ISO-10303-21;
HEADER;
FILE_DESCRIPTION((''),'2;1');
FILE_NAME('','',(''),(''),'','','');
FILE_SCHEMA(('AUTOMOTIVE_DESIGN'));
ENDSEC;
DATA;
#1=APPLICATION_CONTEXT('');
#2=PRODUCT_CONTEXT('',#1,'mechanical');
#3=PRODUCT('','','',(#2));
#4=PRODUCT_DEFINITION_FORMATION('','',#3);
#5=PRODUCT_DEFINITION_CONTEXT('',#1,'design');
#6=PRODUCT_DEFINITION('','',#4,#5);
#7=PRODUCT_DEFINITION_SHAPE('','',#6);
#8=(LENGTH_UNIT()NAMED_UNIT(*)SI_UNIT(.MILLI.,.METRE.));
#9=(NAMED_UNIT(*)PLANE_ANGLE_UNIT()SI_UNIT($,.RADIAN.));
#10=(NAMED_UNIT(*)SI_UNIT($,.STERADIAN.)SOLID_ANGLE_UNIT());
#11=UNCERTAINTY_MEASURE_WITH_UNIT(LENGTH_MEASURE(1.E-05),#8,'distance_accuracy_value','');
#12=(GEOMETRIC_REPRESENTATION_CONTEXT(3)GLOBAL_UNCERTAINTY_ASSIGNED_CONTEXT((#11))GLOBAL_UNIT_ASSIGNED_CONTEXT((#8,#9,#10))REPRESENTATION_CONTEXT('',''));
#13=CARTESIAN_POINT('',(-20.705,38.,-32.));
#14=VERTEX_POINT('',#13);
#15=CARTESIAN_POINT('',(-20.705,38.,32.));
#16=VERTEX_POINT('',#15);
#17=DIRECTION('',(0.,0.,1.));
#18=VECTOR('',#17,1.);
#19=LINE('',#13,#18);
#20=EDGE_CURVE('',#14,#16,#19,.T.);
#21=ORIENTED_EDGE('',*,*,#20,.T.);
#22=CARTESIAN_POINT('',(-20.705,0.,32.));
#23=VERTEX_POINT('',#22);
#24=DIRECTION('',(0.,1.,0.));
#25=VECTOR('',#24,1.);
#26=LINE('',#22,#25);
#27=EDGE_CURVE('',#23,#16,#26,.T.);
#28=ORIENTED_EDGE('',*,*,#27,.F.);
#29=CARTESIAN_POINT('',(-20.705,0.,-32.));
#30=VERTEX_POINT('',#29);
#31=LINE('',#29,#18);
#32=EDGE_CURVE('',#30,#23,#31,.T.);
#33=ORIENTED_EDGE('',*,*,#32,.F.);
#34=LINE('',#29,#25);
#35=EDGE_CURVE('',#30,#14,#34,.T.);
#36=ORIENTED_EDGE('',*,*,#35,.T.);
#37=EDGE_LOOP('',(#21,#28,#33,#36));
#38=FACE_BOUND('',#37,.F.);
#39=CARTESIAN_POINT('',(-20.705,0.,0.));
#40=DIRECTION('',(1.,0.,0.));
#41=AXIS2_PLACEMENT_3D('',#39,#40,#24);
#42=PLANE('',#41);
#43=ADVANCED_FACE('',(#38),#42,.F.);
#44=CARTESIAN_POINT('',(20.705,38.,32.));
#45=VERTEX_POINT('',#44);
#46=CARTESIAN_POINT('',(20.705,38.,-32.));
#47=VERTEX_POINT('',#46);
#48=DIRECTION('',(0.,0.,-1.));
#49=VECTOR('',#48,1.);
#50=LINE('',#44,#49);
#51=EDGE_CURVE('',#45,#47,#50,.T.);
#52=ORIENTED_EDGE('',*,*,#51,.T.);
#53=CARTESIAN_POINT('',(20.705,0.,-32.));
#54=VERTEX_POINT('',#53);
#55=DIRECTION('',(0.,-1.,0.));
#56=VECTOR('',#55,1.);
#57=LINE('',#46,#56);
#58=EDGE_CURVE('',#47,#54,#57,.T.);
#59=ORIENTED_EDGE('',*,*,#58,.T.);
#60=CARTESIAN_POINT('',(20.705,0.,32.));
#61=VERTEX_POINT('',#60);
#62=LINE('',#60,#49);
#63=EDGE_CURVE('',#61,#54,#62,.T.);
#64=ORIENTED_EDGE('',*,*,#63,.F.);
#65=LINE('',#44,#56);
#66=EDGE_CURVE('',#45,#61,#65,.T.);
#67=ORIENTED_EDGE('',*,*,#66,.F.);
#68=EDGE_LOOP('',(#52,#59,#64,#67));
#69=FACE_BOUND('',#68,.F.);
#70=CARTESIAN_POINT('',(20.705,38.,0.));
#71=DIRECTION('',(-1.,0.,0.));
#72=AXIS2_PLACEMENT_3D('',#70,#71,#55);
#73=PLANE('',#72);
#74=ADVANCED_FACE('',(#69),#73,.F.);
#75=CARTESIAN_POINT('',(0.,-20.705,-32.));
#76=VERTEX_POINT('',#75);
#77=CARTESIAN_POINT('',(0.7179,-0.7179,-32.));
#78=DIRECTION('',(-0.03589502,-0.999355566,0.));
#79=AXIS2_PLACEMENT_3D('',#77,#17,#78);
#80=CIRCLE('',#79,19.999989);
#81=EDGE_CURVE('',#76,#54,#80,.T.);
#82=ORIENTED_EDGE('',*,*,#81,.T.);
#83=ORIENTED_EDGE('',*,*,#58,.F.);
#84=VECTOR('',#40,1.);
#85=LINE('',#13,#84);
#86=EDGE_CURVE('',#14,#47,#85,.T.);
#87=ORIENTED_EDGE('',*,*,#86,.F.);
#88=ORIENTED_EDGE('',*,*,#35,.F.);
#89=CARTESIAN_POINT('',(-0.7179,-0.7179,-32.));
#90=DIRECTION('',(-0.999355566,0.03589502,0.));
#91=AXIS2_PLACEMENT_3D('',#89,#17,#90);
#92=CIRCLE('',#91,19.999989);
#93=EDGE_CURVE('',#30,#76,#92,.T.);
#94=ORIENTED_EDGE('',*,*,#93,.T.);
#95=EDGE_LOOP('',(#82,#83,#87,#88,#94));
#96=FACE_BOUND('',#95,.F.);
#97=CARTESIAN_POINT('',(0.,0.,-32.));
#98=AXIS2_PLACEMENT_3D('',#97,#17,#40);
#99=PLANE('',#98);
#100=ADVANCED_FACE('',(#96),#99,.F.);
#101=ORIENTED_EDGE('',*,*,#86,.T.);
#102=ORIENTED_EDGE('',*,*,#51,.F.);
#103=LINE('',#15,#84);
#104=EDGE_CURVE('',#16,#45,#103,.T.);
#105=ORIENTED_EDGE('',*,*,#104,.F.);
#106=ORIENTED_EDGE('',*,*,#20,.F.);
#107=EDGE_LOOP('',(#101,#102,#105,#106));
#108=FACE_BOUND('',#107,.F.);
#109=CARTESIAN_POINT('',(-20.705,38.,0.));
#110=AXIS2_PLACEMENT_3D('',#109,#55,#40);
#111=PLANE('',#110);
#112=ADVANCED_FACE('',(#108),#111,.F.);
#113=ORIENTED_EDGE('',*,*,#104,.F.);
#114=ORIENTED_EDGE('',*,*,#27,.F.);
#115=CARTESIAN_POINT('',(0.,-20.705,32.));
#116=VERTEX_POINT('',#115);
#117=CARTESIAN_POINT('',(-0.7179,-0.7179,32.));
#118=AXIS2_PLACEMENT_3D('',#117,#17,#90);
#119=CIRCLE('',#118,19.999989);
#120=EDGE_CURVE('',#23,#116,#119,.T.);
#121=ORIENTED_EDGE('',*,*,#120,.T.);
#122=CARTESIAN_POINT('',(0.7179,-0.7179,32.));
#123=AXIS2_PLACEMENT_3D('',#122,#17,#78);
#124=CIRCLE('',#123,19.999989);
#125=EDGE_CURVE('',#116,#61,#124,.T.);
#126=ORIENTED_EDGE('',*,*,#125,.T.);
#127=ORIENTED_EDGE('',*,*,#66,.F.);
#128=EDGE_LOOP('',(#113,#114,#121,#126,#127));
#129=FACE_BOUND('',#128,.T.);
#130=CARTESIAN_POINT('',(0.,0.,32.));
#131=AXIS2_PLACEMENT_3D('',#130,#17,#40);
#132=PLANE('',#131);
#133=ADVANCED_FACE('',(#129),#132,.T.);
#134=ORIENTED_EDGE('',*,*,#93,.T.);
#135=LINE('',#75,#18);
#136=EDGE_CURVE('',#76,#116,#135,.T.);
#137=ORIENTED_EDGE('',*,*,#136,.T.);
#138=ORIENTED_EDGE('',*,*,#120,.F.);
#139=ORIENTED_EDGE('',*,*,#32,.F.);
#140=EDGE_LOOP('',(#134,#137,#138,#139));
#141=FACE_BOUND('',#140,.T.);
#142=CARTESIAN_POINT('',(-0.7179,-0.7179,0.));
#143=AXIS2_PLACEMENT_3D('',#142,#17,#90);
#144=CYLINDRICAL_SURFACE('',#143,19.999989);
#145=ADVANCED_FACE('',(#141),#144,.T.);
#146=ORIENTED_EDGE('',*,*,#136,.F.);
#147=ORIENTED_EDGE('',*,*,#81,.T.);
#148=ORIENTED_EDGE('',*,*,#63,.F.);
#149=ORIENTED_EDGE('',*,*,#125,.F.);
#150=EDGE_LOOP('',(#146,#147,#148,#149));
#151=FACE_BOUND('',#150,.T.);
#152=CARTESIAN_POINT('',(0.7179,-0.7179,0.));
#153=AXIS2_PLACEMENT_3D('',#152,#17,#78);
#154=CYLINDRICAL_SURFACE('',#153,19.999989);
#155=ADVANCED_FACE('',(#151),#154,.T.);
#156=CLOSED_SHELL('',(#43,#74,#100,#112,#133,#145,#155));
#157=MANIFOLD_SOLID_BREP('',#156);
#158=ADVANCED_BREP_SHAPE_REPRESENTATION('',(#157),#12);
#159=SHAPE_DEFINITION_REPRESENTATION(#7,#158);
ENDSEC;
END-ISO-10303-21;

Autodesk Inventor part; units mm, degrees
ref_plane "YZ Plane" through (0, 0, 0) normal (1, 0, 0) x (0, 1, 0)
ref_plane "XZ Plane" through (0, 0, 0) normal (0, 1, 0) x (-1, 0, 0)
ref_plane "XY Plane" through (0, 0, 0) normal (0, 0, 1) x (1, 0, 0)
sketch "Sketch1" plane through (0, 0, 0) normal (0, 0, 1) x (1, 0, 0)
  circle A0 centre (0, 0) radius 17.705
  circle A1 centre (0, 0) radius 15
  circle A2 centre (0, 15) radius 0.75
  circle A3 centre (-10.6066, 10.6066) radius 0.75
  circle A4 centre (0, 0) radius 15
  circle A5 centre (-15, 0) radius 0.75
  circle A6 centre (0, 0) radius 15
  circle A7 centre (-10.6066, -10.6066) radius 0.75
  circle A8 centre (0, 0) radius 15
  circle A9 centre (0, -15) radius 0.75
  circle A10 centre (0, 0) radius 15
  circle A11 centre (10.6066, -10.6066) radius 0.75
  circle A12 centre (0, 0) radius 15
  circle A13 centre (15, 0) radius 0.75
  circle A14 centre (0, 0) radius 15
  circle A15 centre (10.6066, 10.6066) radius 0.75
  circle A16 centre (0, 0) radius 15
  line L0 (-20.705, 38) -> (20.705, 38)
  arc A17 (0, -20.705) -> (20.705, 0) centre (0.7179, -0.7179) ccw
  arc A18 (-20.705, 0) -> (0, -20.705) centre (-0.7179, -0.7179) ccw
  line L1 (-20.705, 0) -> (-20.705, 38)
  line L2 (20.705, 38) -> (20.705, 0)
  dimension "d1" = 30
  dimension "d0" = 35.41
  dimension "d2" = 1.5
  dimension "d5" = 360
  dimension "d10" = 38
  dimension "d11" = 20
  dimension "d12" = 20
  dimension "d15" = 58.705
sketch "Sketch2" plane through (0, 0, 0) normal (0, 0, 1) x (1, 0, 0)
  point P0 (0, 0)
sketch "Sketch3" plane through (0, 0, 0) normal (0, 0, 1) x (1, 0, 0)
  point P0 (0, 0)
sketch "Sketch4" plane through (0, 0, 0) normal (0, 0, 1) x (1, 0, 0)
  point P0 (0, 0)
extrude "Extrusion1" add sketch "Sketch1" along normal mid plane 64 contours A0 | A1 A13 | A1 A13 | A13 A1 A11 A9 A7 A5 A3 A2 A15 | A15 A1 | A1 A15 | A11 A1 | A1 A11 | A2 A1 | A1 A2 | A9 A1 | A1 A9 | A3 A1 | A1 A3 | A7 A1 | A1 A7 | A5 A1 | A1 A5 | L0 L2 A17 A18 L1
properties part number "Horn"
